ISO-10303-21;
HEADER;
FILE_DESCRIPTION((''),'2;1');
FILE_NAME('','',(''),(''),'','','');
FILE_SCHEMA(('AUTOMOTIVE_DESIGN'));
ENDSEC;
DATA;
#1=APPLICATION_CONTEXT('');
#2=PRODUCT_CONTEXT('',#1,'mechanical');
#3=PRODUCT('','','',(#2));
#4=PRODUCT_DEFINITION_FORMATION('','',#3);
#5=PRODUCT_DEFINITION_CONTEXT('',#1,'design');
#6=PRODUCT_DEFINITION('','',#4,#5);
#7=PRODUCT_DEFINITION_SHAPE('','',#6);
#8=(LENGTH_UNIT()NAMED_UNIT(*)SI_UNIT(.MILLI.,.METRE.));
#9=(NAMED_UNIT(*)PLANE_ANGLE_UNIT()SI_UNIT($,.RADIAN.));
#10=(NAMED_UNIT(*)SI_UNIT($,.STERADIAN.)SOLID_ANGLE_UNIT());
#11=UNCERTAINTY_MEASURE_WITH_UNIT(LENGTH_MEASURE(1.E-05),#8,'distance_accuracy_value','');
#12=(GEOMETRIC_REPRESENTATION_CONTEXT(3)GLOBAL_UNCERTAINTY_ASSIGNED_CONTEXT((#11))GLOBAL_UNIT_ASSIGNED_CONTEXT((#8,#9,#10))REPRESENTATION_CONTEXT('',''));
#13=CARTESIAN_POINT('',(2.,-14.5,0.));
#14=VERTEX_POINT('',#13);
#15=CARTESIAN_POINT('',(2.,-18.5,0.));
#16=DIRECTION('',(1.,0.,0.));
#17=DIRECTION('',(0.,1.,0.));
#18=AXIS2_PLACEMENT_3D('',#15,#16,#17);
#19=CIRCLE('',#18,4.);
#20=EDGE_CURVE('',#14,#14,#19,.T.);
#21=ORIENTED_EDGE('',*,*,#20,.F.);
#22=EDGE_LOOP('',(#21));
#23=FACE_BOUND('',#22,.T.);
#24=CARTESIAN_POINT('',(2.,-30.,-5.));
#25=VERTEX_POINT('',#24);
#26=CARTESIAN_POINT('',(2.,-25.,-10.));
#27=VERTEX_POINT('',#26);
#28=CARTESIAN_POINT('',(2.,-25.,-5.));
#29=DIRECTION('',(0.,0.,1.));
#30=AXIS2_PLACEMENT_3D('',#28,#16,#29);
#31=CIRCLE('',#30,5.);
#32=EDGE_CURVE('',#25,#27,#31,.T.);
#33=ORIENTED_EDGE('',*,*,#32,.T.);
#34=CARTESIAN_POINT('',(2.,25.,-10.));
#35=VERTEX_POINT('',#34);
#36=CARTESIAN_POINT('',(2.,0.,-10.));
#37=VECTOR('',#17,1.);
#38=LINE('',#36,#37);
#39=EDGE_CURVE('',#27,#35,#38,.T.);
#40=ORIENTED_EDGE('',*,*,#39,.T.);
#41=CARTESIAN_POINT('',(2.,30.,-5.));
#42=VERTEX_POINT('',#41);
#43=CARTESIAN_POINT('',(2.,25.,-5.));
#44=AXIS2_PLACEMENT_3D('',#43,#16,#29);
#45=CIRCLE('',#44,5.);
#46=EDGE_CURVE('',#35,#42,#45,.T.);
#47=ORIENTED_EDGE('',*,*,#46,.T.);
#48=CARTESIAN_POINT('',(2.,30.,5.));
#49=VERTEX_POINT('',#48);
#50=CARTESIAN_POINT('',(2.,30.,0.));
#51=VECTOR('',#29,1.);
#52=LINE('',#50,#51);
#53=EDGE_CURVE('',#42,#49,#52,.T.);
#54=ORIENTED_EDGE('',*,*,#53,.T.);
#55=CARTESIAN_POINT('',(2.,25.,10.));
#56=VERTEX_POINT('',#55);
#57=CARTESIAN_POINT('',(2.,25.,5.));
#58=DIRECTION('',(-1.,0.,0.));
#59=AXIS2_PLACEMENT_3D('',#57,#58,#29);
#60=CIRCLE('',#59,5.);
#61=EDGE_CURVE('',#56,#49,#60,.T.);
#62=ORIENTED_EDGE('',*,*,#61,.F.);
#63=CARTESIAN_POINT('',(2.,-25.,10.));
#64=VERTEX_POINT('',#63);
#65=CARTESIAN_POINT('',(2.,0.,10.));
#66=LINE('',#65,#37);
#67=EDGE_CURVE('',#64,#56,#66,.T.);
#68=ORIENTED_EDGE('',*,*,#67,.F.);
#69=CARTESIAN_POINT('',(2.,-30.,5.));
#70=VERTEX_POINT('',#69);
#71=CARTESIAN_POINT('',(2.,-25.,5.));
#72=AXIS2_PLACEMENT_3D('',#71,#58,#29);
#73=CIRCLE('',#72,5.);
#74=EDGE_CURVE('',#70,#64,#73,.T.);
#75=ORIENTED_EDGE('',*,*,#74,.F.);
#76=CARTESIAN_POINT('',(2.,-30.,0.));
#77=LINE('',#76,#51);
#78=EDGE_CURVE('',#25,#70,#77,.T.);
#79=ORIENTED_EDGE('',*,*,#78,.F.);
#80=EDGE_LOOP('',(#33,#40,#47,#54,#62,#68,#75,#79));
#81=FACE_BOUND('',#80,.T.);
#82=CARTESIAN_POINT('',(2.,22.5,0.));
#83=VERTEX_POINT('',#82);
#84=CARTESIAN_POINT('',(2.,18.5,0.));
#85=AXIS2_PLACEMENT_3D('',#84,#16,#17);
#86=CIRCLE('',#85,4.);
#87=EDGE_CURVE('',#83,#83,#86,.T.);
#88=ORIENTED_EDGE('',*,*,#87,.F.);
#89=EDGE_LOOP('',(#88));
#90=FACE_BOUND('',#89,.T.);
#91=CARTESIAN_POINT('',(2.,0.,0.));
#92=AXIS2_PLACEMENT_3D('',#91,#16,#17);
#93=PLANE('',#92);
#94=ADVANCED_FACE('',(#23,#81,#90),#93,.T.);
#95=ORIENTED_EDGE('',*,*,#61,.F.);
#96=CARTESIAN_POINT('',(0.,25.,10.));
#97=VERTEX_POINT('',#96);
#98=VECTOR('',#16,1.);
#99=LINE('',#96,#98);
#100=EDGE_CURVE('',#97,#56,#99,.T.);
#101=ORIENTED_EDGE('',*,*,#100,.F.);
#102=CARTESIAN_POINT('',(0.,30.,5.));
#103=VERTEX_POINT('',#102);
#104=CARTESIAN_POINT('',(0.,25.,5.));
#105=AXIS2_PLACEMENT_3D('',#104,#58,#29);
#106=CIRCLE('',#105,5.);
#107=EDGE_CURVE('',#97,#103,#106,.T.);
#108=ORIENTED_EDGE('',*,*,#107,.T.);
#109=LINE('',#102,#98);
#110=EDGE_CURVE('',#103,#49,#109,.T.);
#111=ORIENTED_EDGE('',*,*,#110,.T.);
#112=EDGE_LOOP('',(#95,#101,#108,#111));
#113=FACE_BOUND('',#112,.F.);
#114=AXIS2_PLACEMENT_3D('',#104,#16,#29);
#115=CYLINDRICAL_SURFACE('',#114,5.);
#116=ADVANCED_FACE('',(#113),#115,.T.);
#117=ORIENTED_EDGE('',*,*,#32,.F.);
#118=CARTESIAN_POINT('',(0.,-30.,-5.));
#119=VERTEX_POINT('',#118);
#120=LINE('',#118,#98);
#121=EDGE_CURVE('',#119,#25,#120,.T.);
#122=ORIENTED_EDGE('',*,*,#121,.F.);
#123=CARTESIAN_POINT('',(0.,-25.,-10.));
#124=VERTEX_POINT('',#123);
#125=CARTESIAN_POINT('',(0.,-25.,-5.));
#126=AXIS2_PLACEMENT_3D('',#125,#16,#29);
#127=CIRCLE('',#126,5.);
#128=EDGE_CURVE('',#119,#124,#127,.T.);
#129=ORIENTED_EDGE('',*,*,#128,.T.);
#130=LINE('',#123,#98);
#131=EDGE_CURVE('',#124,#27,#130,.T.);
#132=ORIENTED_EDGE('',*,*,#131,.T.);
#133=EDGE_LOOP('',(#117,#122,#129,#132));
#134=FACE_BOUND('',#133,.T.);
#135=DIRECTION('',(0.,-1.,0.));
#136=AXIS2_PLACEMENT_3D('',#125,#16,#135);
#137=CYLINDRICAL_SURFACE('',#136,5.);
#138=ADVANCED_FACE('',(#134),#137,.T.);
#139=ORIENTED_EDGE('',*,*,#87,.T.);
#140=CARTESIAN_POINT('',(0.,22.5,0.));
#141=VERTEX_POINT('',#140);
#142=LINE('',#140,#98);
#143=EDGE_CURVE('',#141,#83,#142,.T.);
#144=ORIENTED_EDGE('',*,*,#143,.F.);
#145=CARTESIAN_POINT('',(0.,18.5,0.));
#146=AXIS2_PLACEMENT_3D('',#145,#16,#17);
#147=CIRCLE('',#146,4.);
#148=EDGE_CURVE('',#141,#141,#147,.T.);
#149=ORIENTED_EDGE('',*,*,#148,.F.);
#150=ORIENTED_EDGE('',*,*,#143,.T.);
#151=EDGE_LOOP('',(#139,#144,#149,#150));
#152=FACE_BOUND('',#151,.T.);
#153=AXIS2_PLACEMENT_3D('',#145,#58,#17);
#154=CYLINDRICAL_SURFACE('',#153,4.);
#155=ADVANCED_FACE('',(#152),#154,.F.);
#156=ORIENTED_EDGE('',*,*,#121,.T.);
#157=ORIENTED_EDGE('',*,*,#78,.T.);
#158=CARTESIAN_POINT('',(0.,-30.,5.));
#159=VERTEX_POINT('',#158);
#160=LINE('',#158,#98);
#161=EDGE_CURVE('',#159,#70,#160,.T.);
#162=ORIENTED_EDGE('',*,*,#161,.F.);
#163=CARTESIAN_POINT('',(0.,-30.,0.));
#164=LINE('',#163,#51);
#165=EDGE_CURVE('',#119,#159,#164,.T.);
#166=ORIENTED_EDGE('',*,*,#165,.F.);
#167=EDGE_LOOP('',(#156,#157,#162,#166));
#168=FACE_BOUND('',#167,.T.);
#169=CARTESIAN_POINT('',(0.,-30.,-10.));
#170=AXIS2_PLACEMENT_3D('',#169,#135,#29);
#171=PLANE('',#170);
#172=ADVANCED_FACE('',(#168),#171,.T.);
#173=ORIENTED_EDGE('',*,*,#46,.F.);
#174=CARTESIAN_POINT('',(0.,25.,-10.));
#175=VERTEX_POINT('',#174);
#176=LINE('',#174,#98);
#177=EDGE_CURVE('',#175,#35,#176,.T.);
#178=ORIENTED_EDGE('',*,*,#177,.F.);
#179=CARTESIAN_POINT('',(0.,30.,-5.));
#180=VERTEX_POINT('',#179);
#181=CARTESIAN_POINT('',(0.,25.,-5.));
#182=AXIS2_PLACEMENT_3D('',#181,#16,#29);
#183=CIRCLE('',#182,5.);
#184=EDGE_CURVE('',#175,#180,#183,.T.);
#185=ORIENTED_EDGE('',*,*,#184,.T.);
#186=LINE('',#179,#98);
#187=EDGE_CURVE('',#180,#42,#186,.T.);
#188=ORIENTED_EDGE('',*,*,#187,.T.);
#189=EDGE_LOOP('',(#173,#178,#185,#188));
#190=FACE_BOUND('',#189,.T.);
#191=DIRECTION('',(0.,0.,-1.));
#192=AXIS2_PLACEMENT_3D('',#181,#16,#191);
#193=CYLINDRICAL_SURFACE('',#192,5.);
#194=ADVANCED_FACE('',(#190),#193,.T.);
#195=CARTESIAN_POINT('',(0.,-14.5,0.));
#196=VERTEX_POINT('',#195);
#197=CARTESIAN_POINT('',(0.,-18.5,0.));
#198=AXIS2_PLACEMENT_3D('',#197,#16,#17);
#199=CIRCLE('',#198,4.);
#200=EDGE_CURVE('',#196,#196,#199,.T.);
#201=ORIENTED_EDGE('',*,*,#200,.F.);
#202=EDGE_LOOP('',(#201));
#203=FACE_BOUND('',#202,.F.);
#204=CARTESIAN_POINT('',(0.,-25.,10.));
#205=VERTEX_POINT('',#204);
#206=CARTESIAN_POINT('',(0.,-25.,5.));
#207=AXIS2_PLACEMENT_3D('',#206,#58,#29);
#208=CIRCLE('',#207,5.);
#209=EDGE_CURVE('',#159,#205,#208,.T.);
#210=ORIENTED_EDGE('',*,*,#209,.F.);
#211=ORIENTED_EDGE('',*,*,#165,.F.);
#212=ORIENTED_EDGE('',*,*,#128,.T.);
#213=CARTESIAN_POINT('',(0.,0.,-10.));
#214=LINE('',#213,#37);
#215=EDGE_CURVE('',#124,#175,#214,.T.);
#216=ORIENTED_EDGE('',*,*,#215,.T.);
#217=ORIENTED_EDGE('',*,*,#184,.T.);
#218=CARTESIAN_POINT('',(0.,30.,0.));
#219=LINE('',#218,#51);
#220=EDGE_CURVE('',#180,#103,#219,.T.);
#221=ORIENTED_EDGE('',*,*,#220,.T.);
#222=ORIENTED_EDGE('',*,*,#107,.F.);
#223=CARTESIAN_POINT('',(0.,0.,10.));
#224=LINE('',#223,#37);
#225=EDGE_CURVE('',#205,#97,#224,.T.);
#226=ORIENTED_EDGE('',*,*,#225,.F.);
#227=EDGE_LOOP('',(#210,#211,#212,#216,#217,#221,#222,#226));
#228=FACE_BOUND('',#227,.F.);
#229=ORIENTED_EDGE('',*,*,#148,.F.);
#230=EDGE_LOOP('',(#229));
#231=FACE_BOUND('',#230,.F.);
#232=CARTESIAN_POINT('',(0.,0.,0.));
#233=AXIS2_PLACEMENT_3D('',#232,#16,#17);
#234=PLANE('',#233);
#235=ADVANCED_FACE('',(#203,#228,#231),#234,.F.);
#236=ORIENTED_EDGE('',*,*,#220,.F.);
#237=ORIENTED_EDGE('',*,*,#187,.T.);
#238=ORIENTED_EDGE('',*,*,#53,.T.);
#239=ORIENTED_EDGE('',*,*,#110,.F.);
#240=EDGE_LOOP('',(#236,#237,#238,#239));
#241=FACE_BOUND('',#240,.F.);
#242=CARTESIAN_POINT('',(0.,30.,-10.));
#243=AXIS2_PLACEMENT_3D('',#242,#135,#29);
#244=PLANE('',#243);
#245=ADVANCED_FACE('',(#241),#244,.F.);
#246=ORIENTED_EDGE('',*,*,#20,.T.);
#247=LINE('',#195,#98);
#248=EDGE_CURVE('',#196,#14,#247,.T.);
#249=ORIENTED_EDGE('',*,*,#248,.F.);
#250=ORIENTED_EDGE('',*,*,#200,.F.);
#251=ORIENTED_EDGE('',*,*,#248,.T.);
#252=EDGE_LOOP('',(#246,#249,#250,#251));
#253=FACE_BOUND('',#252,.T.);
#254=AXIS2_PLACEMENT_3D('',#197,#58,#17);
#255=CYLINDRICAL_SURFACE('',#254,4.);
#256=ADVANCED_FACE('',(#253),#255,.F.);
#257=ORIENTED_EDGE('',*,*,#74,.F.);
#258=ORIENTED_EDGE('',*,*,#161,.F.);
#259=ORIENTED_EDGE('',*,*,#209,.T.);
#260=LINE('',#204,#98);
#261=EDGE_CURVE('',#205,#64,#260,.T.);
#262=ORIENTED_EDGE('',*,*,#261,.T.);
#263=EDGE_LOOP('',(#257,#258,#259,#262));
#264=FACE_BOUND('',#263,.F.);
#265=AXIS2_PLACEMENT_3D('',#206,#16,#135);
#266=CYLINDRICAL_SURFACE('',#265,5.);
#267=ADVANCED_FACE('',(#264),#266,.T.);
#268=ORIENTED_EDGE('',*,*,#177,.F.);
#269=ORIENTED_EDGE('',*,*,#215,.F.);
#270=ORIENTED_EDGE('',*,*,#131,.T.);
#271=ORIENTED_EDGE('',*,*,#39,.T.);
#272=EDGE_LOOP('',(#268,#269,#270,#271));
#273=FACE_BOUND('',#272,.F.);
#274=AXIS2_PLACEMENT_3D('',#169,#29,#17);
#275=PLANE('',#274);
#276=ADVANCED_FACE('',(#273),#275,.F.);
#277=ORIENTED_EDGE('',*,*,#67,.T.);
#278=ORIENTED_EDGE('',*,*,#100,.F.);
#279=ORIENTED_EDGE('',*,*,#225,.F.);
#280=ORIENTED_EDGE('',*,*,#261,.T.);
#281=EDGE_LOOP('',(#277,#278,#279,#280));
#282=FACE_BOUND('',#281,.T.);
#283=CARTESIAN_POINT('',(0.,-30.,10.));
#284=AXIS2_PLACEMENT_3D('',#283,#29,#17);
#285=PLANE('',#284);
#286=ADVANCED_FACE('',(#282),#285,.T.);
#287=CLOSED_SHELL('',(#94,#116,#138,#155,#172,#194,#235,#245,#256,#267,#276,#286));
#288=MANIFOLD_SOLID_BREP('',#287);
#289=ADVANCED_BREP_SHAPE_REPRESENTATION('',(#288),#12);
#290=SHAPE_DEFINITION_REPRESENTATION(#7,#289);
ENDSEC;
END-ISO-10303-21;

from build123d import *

# Parameters (mm, degrees)
F0_W     = 60
F0_H     = 20
F0_R     = 4
F1_DEPTH = 2
F2_R     = 5


with BuildPart() as f1:
    # F0 (on Right) → F1 (new body)
    with BuildSketch(Plane.YZ):
        Rectangle(F0_W, F0_H)
        with Locations((-18.5, 0)):
            Circle(F0_R, mode=Mode.SUBTRACT)
        with Locations((18.5, 0)):
            Circle(F0_R, mode=Mode.SUBTRACT)
    extrude(amount=F1_DEPTH)

    # F2
    f2_edges = [f1.edges().sort_by_distance(p)[0] for p in [
        (1, -30, 10),
        (1, -30, -10),
        (1, 30, 10),
        (1, 30, -10),
    ]]
    fillet(f2_edges, radius=F2_R)


solid = f1.part
